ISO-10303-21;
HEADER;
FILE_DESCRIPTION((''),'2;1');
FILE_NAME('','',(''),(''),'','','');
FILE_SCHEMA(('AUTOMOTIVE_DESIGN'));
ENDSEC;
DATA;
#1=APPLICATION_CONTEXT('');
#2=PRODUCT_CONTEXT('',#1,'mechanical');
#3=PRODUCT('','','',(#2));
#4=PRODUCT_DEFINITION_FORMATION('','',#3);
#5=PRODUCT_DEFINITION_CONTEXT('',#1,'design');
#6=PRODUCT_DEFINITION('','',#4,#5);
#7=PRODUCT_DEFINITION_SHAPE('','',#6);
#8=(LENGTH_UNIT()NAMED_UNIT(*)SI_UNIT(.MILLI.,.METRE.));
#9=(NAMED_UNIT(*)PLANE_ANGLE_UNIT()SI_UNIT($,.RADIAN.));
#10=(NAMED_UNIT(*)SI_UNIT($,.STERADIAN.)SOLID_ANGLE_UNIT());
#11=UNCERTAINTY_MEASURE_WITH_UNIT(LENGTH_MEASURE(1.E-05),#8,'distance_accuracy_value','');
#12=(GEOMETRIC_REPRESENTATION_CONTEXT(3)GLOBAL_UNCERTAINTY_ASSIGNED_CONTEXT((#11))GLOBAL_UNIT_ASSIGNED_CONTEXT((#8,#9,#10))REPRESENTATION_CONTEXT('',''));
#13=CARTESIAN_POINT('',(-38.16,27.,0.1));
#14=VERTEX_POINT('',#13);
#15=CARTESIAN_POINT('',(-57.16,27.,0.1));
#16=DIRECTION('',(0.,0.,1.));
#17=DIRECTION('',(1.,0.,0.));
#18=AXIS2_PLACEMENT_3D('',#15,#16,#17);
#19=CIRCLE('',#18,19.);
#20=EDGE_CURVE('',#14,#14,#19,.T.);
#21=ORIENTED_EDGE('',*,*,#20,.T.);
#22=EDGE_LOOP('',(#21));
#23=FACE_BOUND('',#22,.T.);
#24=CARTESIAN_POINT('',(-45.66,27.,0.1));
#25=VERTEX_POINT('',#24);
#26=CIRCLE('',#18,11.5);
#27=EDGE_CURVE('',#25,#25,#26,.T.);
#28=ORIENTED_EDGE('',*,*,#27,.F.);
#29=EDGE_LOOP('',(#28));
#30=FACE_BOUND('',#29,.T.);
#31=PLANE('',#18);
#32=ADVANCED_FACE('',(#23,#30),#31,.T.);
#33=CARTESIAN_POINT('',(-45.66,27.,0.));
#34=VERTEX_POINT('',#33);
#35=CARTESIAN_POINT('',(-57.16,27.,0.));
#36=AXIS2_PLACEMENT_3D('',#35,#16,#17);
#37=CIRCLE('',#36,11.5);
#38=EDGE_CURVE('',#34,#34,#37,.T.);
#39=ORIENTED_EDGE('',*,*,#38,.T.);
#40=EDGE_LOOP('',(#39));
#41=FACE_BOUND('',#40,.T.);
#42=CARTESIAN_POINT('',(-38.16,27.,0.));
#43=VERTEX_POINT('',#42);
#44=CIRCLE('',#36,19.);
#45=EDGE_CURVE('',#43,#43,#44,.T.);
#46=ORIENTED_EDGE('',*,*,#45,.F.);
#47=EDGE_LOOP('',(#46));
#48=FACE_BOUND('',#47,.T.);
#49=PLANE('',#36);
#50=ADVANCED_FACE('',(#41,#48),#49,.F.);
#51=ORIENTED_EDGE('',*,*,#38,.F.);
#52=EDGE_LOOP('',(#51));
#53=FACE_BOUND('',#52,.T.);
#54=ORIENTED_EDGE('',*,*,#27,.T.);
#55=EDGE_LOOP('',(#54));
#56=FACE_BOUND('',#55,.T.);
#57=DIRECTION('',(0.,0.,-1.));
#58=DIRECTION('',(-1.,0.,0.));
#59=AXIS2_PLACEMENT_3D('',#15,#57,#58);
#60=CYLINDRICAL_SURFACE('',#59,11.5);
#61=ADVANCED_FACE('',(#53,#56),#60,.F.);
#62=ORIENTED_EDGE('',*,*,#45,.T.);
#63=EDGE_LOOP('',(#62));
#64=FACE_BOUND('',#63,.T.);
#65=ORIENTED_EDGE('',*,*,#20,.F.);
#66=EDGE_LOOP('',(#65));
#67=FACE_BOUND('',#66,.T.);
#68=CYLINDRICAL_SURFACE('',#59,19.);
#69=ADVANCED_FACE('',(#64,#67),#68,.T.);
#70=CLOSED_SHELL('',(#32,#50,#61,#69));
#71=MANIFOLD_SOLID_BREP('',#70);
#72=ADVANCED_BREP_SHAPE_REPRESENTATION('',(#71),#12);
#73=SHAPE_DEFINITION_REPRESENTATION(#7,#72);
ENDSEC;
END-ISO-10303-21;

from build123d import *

# Parameters (mm, degrees)
SKETCH1_R      = 19
SKETCH1_R_2    = 11.5
EXTRUDE1_DEPTH = 0.1


with BuildPart() as part:
    # Sketch1 → Extrude1 (new body)
    with BuildSketch(Plane.XY):
        with Locations((-57.16, 27)):
            Circle(SKETCH1_R)
        with Locations((-57.16, 27)):
            Circle(SKETCH1_R_2, mode=Mode.SUBTRACT)
    extrude(amount=EXTRUDE1_DEPTH)


solid = part.part
